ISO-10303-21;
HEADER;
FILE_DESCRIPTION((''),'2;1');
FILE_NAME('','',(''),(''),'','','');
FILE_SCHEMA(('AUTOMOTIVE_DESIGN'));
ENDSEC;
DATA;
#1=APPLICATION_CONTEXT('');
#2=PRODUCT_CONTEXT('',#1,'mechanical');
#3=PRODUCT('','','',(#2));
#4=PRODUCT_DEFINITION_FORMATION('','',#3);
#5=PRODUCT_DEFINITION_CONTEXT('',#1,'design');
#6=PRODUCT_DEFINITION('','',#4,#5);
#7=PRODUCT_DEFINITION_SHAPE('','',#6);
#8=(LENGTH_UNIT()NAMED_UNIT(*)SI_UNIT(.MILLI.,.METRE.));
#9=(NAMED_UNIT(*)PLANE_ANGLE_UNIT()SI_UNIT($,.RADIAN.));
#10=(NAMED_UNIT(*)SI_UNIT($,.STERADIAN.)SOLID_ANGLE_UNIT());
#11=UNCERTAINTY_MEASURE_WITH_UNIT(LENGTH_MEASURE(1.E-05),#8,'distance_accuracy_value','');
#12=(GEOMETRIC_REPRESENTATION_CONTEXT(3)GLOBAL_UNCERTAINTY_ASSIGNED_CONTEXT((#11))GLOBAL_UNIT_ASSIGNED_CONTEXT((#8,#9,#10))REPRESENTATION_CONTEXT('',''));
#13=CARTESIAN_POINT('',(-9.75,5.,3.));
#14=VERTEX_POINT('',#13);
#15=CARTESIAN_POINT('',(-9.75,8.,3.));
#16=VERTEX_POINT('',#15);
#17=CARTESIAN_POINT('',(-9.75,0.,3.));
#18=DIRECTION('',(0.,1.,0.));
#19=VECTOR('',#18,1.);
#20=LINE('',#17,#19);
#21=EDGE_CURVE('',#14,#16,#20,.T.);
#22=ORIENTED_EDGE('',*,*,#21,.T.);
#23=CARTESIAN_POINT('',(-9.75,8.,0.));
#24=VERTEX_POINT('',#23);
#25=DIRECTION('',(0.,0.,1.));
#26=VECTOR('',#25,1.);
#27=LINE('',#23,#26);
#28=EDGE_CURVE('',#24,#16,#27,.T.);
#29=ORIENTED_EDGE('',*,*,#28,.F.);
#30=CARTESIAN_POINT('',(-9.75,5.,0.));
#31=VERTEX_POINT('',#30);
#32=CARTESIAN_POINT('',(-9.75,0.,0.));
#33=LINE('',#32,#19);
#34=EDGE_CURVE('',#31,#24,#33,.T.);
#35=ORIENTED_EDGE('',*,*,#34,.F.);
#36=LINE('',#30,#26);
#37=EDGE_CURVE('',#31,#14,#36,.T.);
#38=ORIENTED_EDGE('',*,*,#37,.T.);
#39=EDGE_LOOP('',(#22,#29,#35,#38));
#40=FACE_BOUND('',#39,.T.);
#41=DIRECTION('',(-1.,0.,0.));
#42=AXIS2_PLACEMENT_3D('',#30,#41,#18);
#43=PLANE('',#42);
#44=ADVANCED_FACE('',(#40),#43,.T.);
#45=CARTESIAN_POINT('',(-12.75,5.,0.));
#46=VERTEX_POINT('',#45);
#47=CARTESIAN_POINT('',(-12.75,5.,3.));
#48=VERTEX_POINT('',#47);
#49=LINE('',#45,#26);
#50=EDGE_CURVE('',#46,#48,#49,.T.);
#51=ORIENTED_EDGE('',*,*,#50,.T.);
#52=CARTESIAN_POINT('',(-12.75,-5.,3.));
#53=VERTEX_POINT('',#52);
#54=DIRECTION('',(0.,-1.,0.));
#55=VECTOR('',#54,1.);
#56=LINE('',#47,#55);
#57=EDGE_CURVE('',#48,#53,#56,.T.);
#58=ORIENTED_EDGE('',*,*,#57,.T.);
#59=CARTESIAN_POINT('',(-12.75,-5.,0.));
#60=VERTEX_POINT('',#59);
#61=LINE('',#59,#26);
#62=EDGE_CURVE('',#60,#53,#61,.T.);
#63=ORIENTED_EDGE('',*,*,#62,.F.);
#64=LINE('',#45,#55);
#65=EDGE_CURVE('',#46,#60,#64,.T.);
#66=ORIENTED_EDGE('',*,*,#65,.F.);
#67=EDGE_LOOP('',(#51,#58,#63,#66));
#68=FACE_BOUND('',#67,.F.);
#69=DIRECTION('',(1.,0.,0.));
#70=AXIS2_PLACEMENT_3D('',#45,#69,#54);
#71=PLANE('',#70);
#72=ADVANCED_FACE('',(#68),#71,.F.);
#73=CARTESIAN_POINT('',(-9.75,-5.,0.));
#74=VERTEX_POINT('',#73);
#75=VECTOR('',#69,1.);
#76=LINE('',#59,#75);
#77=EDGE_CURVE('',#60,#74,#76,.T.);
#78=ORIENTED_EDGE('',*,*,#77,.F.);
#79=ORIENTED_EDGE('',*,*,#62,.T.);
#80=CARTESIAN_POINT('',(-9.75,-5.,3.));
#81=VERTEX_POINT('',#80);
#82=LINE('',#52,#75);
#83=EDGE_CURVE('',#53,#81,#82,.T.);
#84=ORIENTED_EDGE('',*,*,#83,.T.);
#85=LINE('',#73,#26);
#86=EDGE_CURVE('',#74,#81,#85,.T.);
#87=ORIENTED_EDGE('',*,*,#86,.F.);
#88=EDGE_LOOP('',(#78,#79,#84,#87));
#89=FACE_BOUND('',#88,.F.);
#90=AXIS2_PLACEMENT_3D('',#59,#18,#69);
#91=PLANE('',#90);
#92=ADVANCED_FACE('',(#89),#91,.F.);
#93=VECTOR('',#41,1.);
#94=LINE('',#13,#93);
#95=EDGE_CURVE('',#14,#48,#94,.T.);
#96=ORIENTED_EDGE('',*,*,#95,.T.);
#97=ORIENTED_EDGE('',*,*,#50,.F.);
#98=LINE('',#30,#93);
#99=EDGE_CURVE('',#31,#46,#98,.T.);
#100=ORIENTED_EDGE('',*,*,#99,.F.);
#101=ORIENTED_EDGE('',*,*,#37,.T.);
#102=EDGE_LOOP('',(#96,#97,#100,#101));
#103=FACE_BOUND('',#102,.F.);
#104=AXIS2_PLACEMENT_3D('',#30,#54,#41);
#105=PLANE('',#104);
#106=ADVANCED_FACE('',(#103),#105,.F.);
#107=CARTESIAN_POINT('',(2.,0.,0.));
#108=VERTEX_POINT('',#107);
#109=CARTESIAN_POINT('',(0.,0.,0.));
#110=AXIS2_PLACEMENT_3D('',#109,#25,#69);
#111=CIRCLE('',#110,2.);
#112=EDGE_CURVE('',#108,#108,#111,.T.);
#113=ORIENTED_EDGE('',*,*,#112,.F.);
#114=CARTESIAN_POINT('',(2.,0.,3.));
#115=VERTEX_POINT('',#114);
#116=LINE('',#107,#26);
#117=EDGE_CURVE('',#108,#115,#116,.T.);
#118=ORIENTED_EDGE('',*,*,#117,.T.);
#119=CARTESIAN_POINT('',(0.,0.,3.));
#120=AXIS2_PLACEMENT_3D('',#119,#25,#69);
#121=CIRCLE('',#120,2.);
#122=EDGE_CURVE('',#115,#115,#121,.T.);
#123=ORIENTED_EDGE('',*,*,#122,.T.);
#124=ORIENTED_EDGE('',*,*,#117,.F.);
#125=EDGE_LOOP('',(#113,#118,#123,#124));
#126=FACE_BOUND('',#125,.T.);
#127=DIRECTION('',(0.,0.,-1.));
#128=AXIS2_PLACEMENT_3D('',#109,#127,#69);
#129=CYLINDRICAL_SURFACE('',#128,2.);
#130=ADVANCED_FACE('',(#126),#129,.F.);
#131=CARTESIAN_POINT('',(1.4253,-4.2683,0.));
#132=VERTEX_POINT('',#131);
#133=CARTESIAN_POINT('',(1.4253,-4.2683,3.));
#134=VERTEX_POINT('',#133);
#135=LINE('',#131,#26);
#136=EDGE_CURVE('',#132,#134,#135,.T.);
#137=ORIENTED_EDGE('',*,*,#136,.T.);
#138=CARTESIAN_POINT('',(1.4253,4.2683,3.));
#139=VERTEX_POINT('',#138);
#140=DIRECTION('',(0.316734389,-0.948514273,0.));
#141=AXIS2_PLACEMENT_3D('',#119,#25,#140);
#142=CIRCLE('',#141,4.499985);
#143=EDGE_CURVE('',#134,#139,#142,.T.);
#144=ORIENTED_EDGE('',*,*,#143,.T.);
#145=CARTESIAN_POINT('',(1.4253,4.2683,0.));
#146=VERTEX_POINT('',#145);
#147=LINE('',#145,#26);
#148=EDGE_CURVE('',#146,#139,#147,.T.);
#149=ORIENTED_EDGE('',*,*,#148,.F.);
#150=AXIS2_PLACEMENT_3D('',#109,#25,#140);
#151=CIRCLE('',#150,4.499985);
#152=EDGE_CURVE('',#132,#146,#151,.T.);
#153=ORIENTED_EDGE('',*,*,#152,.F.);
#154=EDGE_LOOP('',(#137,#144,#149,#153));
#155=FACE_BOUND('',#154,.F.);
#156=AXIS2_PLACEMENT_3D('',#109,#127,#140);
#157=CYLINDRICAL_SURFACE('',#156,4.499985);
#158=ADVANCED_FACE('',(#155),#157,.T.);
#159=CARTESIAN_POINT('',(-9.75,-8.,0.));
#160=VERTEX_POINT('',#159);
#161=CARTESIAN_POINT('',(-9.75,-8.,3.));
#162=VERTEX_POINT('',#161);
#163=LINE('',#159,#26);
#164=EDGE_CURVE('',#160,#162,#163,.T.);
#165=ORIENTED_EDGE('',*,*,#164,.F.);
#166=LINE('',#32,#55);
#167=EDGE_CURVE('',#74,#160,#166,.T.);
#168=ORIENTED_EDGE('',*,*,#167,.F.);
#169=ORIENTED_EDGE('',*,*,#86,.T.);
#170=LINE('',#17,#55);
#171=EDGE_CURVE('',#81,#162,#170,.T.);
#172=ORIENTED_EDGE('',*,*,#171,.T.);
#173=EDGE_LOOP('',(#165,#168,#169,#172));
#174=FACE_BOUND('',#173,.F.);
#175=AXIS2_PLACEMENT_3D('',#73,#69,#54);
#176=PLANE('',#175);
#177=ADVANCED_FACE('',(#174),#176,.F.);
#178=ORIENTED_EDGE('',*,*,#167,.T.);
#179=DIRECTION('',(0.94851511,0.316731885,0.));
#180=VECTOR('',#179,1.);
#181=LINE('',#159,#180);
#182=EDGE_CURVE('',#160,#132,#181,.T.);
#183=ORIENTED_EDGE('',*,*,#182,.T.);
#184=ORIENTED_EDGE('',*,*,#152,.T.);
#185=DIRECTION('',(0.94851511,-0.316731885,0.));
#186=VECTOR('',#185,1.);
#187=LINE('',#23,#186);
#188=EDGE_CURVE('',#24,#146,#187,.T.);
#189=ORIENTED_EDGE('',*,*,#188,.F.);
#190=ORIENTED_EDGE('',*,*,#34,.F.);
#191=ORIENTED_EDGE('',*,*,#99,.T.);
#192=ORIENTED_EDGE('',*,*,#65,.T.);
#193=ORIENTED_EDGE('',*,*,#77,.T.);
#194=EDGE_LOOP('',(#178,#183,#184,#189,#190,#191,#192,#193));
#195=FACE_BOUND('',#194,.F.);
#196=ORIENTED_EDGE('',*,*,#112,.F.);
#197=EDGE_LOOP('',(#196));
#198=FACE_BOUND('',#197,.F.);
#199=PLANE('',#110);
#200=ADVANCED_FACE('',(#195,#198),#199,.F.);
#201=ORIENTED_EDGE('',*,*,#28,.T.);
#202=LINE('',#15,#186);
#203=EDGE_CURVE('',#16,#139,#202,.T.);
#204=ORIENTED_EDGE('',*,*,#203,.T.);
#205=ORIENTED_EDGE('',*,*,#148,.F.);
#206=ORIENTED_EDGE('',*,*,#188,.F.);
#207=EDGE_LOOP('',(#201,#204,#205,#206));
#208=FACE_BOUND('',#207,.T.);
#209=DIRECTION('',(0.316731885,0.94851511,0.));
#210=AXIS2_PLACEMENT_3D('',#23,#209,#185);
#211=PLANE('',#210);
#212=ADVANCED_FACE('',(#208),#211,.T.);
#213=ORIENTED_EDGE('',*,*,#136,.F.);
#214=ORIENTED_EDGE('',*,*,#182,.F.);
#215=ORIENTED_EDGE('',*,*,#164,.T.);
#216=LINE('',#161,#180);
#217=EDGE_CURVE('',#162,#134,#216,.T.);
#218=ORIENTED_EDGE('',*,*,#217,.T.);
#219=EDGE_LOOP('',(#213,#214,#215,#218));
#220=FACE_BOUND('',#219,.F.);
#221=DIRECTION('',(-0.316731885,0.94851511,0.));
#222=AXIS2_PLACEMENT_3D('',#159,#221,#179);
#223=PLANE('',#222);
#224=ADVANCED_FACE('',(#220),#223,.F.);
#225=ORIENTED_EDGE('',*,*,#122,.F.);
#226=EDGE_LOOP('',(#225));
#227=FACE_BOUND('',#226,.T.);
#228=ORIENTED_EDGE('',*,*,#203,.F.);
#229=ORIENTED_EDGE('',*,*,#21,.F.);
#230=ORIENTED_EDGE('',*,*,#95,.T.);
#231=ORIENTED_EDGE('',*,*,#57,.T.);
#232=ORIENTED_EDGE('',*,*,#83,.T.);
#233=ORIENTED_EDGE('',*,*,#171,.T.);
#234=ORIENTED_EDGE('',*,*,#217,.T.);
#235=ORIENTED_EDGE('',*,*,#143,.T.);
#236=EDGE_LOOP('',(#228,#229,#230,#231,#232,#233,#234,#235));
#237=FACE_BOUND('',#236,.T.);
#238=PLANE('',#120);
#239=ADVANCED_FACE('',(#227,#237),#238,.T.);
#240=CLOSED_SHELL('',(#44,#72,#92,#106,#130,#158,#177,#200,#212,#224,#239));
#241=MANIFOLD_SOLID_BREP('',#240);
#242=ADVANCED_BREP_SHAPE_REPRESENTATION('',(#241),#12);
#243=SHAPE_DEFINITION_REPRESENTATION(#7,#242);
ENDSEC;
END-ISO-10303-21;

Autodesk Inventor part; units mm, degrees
ref_plane "YZ Plane" through (0, 0, 0) normal (1, 0, 0) x (0, 1, 0)
ref_plane "XZ Plane" through (0, 0, 0) normal (0, 1, 0) x (-1, 0, 0)
ref_plane "XY Plane" through (0, 0, 0) normal (0, 0, 1) x (1, 0, 0)
sketch "Sketch1" plane through (0, 0, 0) normal (0, 0, 1) x (1, 0, 0)
  circle A0 centre (0, 0) radius 2 projected
  circle A1 centre (0, 0) radius 3.25 construction
  arc A2 (1.4253, -4.2683) -> (1.4253, 4.2683) centre (0, 0) ccw
  line L0 (0, 0) -> (-9.75, 0) construction
  line L1 (-9.75, 0) -> (-9.75, 8)
  line L2 (-9.75, 8) -> (1.4253, 4.2683)
  line L3 (-9.75, 0) -> (-9.75, -8)
  line L4 (-9.75, -8) -> (1.4253, -4.2683)
  line L5 (-9.75, 5) -> (-12.75, 5)
  line L6 (-12.75, 5) -> (-12.75, -5)
  line L7 (-12.75, -5) -> (-9.75, -5)
  line L8 (-9.75, -5) -> (-9.75, 5)
  point P0 (0, 0)
  point P1 (-9.75, 3)
  dimension "d0" = 9
  dimension "d1" = 9.75
  dimension "d2" = 8
  dimension "d3" = 5
  dimension "d4" = 5
  dimension "d5" = 3
extrude "Extrusion2" add sketch "Sketch1" along normal blind 3
properties part number "Bearing risers"
